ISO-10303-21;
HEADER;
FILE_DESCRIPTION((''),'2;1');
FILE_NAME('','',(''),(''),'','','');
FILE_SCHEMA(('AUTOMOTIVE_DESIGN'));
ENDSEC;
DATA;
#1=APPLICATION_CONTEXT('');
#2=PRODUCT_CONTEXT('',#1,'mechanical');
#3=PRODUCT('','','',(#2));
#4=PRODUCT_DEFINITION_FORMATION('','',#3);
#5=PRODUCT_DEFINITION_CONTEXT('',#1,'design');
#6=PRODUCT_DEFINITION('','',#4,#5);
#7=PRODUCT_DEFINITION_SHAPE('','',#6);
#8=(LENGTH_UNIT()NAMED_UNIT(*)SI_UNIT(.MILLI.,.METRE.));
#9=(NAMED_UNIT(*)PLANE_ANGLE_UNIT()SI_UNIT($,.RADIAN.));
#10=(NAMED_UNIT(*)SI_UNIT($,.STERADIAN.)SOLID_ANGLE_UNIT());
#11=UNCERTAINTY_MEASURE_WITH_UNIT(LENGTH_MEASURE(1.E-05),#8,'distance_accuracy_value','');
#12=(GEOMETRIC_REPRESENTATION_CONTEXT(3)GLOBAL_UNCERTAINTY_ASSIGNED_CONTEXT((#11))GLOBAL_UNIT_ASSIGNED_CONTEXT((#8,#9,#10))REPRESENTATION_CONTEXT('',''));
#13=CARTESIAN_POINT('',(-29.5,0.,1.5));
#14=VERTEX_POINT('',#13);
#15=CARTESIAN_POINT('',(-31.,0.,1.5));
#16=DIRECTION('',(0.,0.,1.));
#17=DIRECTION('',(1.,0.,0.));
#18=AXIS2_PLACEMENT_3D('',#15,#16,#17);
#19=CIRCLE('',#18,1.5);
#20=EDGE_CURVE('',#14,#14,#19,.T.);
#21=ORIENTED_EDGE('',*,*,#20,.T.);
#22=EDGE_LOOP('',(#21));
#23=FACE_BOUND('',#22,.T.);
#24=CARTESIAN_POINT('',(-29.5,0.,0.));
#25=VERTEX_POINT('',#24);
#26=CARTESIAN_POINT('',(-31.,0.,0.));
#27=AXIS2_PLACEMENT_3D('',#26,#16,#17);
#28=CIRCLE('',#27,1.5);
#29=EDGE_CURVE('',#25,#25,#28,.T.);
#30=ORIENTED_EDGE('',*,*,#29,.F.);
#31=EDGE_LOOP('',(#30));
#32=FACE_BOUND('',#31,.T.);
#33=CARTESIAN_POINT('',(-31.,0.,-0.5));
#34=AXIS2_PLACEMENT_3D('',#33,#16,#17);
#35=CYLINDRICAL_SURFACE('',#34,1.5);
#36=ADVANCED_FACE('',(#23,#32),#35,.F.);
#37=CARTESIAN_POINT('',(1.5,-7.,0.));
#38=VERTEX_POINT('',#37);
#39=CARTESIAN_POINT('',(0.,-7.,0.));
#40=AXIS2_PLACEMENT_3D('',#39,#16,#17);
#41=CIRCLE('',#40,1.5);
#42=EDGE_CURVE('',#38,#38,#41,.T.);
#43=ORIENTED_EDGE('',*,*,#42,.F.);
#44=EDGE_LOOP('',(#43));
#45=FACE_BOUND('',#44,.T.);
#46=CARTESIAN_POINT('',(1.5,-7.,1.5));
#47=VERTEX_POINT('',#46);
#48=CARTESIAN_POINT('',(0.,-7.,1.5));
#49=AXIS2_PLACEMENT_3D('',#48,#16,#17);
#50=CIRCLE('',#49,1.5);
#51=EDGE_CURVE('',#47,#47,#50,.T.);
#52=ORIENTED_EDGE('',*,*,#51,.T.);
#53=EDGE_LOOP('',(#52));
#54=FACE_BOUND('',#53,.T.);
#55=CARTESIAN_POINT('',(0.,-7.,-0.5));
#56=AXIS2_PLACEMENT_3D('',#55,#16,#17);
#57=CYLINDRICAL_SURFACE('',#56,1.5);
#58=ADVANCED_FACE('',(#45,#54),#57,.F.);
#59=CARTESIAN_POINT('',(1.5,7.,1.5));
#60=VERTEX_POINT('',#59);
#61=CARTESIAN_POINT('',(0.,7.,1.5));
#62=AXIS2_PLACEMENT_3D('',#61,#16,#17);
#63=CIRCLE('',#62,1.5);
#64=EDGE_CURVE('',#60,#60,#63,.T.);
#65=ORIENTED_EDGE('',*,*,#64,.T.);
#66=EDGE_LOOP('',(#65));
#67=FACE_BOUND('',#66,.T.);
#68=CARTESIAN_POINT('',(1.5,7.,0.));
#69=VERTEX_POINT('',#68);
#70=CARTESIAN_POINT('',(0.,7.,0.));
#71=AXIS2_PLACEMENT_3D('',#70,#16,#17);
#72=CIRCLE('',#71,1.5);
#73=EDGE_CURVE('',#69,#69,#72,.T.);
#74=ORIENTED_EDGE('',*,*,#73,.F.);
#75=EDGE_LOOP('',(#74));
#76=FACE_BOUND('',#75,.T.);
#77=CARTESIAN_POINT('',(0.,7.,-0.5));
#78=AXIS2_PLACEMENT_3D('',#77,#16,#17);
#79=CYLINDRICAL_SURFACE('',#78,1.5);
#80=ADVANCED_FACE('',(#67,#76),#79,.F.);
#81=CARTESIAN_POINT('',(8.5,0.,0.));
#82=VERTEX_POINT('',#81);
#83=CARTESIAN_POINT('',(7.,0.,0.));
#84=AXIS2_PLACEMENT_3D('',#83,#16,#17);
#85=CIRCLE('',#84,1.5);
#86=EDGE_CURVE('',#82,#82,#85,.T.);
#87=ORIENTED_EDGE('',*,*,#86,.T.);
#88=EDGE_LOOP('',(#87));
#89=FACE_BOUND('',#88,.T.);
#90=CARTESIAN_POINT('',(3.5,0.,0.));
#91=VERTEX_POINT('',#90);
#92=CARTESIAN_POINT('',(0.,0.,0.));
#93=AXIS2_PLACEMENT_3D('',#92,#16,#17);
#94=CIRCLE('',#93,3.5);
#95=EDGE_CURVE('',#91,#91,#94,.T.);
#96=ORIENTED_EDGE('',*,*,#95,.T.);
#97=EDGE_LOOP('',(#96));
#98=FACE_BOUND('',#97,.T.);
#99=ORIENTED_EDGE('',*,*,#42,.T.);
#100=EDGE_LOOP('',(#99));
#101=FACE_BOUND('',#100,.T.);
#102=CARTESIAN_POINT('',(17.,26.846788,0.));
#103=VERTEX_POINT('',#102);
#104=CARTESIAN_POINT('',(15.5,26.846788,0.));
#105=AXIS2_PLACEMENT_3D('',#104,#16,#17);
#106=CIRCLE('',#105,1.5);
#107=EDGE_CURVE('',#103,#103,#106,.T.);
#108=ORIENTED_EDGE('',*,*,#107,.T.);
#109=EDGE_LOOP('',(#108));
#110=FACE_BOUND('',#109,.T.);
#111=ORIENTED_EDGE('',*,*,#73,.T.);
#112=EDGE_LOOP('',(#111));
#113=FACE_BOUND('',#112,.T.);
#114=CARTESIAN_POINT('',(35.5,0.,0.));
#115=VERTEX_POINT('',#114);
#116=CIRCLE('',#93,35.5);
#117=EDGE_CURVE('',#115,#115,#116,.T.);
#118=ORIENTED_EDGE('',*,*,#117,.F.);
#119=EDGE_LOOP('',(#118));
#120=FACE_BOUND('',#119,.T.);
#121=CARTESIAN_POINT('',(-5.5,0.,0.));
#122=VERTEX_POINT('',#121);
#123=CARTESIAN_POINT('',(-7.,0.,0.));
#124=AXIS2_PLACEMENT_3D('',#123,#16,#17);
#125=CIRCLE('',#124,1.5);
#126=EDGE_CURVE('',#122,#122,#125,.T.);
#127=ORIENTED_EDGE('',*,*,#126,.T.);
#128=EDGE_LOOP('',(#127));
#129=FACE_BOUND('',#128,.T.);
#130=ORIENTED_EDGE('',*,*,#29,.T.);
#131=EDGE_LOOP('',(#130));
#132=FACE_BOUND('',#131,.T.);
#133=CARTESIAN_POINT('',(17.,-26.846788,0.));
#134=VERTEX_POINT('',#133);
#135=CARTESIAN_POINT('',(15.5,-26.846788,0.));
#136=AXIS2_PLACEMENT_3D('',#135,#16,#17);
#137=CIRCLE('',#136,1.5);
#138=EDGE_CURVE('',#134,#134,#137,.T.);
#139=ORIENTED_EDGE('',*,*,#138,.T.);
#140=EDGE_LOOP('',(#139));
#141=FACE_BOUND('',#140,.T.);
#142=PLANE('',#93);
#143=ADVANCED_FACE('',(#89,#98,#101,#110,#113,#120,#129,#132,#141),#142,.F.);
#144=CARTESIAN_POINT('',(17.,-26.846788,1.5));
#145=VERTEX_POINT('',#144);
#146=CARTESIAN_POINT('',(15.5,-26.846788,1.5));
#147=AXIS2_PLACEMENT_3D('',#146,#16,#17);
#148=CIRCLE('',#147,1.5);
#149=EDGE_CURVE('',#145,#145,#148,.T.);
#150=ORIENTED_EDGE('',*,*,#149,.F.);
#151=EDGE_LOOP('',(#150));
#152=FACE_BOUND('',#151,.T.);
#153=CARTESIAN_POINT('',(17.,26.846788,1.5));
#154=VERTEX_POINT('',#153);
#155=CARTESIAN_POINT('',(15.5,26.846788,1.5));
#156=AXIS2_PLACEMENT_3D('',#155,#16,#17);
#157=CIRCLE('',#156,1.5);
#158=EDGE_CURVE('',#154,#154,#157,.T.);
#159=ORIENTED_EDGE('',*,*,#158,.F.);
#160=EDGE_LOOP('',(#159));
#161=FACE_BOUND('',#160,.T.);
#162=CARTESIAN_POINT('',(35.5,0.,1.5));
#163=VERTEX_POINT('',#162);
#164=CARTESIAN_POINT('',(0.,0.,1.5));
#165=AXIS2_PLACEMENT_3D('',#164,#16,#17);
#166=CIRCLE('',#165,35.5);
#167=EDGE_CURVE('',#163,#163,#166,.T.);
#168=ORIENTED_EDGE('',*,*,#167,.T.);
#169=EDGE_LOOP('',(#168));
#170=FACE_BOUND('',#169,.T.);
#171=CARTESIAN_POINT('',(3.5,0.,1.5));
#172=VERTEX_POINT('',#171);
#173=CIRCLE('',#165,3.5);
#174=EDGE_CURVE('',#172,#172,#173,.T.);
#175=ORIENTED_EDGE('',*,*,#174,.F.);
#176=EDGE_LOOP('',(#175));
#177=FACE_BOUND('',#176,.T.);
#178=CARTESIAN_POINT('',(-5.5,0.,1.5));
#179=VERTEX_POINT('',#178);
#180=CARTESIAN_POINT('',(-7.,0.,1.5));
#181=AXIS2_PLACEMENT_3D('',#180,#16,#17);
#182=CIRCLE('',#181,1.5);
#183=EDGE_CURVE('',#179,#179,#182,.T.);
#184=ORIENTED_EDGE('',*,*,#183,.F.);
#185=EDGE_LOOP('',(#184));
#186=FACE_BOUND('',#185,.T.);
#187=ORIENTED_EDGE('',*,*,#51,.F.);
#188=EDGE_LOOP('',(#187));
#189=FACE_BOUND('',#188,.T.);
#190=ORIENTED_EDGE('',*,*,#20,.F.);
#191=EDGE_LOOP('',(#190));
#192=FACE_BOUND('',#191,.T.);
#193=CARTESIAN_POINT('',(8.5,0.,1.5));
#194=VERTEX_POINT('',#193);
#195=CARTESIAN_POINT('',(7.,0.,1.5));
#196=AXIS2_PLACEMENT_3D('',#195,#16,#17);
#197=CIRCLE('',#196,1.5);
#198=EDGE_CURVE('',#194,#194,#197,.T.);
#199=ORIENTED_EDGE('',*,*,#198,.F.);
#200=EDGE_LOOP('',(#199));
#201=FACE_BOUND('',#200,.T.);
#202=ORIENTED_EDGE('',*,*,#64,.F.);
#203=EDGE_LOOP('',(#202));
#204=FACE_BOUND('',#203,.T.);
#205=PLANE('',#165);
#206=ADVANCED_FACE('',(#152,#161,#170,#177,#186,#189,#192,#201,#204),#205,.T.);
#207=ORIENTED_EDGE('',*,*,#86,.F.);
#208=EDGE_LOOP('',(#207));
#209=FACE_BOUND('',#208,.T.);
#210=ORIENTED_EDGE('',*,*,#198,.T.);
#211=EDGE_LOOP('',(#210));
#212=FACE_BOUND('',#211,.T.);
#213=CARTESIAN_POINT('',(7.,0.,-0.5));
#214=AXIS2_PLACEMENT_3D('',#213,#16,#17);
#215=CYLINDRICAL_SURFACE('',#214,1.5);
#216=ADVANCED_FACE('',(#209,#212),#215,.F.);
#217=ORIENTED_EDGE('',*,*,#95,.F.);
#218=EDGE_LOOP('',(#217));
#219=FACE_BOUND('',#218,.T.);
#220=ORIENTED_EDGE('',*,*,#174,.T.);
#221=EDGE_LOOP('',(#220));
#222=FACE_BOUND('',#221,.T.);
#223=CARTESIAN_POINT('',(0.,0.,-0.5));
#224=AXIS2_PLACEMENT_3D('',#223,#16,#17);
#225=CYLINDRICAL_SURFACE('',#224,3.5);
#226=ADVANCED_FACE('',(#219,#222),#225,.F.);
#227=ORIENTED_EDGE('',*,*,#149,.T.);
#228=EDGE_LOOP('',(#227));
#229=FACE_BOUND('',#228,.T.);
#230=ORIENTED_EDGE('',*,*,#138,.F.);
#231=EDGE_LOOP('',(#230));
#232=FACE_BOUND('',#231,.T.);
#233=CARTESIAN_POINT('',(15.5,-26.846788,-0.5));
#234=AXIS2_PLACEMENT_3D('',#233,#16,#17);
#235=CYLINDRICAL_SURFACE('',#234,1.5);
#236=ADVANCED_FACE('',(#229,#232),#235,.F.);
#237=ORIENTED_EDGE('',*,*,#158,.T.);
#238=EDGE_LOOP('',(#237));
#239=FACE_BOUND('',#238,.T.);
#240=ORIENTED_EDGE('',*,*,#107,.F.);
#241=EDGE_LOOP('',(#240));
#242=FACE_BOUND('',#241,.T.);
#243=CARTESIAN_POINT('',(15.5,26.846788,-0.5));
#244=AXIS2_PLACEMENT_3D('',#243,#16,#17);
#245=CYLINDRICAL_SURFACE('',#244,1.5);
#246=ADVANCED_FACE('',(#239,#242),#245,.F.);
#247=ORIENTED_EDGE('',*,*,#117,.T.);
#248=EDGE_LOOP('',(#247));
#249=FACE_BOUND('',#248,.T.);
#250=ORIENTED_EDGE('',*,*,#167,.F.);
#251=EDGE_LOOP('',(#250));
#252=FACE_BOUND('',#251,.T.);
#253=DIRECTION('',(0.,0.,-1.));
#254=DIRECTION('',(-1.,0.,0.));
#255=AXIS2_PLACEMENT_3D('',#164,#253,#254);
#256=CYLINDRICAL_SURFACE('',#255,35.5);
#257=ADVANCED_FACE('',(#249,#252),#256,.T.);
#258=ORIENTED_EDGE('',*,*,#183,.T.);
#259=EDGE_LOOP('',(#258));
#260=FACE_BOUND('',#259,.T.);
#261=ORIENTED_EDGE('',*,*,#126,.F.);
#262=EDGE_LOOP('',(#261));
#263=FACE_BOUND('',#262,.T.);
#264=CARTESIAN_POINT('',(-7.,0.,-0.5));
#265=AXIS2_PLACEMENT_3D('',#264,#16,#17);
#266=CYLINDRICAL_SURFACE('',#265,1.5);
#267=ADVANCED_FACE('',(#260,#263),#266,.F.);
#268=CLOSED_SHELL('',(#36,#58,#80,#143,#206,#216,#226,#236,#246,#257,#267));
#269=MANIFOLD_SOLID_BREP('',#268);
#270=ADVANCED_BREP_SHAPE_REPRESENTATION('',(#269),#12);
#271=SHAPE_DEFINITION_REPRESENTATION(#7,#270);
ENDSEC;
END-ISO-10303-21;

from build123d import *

# Parameters (mm, degrees)
SKETCH_1_R          = 35.5
EXTRUDE_1_DEPTH     = 1.5
SKETCH_2_R          = 3.5
CUT_EXTRUDE_1_DEPTH = 2
SKETCH_3_R          = 1.5
CUT_EXTRUDE_2_DEPTH = 2
SKETCH_5_R          = 1.5
CUT_EXTRUDE_3_DEPTH = 2


with BuildPart() as part:
    # 草图1 → 凸台-拉伸1 (new body)
    with BuildSketch(Plane.XY):
        Circle(SKETCH_1_R)
    extrude(amount=EXTRUDE_1_DEPTH)

    # 草图2 → 切除-拉伸1 (cut)
    with BuildSketch(Plane.XY.offset(1.5)):
        Circle(SKETCH_2_R)
    extrude(amount=-CUT_EXTRUDE_1_DEPTH, mode=Mode.SUBTRACT)

    # 草图3 → 切除-拉伸2 (cut)
    with BuildSketch(Plane.XY.offset(1.5)):
        with Locations((0, 7)):
            Circle(SKETCH_3_R)
        with Locations((7, 0)):
            Circle(SKETCH_3_R)
        with Locations((0, -7)):
            Circle(SKETCH_3_R)
        with Locations((-7, 0)):
            Circle(SKETCH_3_R)
    extrude(amount=-CUT_EXTRUDE_2_DEPTH, mode=Mode.SUBTRACT)

    # 草图5 → 切除-拉伸3 (cut)
    with BuildSketch(Plane.XY.offset(1.5)):
        with Locations((-31, 0)):
            Circle(SKETCH_5_R)
        with Locations((15.5, 26.846787517)):
            Circle(SKETCH_5_R)
        with Locations((15.5, -26.846787517)):
            Circle(SKETCH_5_R)
    extrude(amount=-CUT_EXTRUDE_3_DEPTH, mode=Mode.SUBTRACT)


solid = part.part
